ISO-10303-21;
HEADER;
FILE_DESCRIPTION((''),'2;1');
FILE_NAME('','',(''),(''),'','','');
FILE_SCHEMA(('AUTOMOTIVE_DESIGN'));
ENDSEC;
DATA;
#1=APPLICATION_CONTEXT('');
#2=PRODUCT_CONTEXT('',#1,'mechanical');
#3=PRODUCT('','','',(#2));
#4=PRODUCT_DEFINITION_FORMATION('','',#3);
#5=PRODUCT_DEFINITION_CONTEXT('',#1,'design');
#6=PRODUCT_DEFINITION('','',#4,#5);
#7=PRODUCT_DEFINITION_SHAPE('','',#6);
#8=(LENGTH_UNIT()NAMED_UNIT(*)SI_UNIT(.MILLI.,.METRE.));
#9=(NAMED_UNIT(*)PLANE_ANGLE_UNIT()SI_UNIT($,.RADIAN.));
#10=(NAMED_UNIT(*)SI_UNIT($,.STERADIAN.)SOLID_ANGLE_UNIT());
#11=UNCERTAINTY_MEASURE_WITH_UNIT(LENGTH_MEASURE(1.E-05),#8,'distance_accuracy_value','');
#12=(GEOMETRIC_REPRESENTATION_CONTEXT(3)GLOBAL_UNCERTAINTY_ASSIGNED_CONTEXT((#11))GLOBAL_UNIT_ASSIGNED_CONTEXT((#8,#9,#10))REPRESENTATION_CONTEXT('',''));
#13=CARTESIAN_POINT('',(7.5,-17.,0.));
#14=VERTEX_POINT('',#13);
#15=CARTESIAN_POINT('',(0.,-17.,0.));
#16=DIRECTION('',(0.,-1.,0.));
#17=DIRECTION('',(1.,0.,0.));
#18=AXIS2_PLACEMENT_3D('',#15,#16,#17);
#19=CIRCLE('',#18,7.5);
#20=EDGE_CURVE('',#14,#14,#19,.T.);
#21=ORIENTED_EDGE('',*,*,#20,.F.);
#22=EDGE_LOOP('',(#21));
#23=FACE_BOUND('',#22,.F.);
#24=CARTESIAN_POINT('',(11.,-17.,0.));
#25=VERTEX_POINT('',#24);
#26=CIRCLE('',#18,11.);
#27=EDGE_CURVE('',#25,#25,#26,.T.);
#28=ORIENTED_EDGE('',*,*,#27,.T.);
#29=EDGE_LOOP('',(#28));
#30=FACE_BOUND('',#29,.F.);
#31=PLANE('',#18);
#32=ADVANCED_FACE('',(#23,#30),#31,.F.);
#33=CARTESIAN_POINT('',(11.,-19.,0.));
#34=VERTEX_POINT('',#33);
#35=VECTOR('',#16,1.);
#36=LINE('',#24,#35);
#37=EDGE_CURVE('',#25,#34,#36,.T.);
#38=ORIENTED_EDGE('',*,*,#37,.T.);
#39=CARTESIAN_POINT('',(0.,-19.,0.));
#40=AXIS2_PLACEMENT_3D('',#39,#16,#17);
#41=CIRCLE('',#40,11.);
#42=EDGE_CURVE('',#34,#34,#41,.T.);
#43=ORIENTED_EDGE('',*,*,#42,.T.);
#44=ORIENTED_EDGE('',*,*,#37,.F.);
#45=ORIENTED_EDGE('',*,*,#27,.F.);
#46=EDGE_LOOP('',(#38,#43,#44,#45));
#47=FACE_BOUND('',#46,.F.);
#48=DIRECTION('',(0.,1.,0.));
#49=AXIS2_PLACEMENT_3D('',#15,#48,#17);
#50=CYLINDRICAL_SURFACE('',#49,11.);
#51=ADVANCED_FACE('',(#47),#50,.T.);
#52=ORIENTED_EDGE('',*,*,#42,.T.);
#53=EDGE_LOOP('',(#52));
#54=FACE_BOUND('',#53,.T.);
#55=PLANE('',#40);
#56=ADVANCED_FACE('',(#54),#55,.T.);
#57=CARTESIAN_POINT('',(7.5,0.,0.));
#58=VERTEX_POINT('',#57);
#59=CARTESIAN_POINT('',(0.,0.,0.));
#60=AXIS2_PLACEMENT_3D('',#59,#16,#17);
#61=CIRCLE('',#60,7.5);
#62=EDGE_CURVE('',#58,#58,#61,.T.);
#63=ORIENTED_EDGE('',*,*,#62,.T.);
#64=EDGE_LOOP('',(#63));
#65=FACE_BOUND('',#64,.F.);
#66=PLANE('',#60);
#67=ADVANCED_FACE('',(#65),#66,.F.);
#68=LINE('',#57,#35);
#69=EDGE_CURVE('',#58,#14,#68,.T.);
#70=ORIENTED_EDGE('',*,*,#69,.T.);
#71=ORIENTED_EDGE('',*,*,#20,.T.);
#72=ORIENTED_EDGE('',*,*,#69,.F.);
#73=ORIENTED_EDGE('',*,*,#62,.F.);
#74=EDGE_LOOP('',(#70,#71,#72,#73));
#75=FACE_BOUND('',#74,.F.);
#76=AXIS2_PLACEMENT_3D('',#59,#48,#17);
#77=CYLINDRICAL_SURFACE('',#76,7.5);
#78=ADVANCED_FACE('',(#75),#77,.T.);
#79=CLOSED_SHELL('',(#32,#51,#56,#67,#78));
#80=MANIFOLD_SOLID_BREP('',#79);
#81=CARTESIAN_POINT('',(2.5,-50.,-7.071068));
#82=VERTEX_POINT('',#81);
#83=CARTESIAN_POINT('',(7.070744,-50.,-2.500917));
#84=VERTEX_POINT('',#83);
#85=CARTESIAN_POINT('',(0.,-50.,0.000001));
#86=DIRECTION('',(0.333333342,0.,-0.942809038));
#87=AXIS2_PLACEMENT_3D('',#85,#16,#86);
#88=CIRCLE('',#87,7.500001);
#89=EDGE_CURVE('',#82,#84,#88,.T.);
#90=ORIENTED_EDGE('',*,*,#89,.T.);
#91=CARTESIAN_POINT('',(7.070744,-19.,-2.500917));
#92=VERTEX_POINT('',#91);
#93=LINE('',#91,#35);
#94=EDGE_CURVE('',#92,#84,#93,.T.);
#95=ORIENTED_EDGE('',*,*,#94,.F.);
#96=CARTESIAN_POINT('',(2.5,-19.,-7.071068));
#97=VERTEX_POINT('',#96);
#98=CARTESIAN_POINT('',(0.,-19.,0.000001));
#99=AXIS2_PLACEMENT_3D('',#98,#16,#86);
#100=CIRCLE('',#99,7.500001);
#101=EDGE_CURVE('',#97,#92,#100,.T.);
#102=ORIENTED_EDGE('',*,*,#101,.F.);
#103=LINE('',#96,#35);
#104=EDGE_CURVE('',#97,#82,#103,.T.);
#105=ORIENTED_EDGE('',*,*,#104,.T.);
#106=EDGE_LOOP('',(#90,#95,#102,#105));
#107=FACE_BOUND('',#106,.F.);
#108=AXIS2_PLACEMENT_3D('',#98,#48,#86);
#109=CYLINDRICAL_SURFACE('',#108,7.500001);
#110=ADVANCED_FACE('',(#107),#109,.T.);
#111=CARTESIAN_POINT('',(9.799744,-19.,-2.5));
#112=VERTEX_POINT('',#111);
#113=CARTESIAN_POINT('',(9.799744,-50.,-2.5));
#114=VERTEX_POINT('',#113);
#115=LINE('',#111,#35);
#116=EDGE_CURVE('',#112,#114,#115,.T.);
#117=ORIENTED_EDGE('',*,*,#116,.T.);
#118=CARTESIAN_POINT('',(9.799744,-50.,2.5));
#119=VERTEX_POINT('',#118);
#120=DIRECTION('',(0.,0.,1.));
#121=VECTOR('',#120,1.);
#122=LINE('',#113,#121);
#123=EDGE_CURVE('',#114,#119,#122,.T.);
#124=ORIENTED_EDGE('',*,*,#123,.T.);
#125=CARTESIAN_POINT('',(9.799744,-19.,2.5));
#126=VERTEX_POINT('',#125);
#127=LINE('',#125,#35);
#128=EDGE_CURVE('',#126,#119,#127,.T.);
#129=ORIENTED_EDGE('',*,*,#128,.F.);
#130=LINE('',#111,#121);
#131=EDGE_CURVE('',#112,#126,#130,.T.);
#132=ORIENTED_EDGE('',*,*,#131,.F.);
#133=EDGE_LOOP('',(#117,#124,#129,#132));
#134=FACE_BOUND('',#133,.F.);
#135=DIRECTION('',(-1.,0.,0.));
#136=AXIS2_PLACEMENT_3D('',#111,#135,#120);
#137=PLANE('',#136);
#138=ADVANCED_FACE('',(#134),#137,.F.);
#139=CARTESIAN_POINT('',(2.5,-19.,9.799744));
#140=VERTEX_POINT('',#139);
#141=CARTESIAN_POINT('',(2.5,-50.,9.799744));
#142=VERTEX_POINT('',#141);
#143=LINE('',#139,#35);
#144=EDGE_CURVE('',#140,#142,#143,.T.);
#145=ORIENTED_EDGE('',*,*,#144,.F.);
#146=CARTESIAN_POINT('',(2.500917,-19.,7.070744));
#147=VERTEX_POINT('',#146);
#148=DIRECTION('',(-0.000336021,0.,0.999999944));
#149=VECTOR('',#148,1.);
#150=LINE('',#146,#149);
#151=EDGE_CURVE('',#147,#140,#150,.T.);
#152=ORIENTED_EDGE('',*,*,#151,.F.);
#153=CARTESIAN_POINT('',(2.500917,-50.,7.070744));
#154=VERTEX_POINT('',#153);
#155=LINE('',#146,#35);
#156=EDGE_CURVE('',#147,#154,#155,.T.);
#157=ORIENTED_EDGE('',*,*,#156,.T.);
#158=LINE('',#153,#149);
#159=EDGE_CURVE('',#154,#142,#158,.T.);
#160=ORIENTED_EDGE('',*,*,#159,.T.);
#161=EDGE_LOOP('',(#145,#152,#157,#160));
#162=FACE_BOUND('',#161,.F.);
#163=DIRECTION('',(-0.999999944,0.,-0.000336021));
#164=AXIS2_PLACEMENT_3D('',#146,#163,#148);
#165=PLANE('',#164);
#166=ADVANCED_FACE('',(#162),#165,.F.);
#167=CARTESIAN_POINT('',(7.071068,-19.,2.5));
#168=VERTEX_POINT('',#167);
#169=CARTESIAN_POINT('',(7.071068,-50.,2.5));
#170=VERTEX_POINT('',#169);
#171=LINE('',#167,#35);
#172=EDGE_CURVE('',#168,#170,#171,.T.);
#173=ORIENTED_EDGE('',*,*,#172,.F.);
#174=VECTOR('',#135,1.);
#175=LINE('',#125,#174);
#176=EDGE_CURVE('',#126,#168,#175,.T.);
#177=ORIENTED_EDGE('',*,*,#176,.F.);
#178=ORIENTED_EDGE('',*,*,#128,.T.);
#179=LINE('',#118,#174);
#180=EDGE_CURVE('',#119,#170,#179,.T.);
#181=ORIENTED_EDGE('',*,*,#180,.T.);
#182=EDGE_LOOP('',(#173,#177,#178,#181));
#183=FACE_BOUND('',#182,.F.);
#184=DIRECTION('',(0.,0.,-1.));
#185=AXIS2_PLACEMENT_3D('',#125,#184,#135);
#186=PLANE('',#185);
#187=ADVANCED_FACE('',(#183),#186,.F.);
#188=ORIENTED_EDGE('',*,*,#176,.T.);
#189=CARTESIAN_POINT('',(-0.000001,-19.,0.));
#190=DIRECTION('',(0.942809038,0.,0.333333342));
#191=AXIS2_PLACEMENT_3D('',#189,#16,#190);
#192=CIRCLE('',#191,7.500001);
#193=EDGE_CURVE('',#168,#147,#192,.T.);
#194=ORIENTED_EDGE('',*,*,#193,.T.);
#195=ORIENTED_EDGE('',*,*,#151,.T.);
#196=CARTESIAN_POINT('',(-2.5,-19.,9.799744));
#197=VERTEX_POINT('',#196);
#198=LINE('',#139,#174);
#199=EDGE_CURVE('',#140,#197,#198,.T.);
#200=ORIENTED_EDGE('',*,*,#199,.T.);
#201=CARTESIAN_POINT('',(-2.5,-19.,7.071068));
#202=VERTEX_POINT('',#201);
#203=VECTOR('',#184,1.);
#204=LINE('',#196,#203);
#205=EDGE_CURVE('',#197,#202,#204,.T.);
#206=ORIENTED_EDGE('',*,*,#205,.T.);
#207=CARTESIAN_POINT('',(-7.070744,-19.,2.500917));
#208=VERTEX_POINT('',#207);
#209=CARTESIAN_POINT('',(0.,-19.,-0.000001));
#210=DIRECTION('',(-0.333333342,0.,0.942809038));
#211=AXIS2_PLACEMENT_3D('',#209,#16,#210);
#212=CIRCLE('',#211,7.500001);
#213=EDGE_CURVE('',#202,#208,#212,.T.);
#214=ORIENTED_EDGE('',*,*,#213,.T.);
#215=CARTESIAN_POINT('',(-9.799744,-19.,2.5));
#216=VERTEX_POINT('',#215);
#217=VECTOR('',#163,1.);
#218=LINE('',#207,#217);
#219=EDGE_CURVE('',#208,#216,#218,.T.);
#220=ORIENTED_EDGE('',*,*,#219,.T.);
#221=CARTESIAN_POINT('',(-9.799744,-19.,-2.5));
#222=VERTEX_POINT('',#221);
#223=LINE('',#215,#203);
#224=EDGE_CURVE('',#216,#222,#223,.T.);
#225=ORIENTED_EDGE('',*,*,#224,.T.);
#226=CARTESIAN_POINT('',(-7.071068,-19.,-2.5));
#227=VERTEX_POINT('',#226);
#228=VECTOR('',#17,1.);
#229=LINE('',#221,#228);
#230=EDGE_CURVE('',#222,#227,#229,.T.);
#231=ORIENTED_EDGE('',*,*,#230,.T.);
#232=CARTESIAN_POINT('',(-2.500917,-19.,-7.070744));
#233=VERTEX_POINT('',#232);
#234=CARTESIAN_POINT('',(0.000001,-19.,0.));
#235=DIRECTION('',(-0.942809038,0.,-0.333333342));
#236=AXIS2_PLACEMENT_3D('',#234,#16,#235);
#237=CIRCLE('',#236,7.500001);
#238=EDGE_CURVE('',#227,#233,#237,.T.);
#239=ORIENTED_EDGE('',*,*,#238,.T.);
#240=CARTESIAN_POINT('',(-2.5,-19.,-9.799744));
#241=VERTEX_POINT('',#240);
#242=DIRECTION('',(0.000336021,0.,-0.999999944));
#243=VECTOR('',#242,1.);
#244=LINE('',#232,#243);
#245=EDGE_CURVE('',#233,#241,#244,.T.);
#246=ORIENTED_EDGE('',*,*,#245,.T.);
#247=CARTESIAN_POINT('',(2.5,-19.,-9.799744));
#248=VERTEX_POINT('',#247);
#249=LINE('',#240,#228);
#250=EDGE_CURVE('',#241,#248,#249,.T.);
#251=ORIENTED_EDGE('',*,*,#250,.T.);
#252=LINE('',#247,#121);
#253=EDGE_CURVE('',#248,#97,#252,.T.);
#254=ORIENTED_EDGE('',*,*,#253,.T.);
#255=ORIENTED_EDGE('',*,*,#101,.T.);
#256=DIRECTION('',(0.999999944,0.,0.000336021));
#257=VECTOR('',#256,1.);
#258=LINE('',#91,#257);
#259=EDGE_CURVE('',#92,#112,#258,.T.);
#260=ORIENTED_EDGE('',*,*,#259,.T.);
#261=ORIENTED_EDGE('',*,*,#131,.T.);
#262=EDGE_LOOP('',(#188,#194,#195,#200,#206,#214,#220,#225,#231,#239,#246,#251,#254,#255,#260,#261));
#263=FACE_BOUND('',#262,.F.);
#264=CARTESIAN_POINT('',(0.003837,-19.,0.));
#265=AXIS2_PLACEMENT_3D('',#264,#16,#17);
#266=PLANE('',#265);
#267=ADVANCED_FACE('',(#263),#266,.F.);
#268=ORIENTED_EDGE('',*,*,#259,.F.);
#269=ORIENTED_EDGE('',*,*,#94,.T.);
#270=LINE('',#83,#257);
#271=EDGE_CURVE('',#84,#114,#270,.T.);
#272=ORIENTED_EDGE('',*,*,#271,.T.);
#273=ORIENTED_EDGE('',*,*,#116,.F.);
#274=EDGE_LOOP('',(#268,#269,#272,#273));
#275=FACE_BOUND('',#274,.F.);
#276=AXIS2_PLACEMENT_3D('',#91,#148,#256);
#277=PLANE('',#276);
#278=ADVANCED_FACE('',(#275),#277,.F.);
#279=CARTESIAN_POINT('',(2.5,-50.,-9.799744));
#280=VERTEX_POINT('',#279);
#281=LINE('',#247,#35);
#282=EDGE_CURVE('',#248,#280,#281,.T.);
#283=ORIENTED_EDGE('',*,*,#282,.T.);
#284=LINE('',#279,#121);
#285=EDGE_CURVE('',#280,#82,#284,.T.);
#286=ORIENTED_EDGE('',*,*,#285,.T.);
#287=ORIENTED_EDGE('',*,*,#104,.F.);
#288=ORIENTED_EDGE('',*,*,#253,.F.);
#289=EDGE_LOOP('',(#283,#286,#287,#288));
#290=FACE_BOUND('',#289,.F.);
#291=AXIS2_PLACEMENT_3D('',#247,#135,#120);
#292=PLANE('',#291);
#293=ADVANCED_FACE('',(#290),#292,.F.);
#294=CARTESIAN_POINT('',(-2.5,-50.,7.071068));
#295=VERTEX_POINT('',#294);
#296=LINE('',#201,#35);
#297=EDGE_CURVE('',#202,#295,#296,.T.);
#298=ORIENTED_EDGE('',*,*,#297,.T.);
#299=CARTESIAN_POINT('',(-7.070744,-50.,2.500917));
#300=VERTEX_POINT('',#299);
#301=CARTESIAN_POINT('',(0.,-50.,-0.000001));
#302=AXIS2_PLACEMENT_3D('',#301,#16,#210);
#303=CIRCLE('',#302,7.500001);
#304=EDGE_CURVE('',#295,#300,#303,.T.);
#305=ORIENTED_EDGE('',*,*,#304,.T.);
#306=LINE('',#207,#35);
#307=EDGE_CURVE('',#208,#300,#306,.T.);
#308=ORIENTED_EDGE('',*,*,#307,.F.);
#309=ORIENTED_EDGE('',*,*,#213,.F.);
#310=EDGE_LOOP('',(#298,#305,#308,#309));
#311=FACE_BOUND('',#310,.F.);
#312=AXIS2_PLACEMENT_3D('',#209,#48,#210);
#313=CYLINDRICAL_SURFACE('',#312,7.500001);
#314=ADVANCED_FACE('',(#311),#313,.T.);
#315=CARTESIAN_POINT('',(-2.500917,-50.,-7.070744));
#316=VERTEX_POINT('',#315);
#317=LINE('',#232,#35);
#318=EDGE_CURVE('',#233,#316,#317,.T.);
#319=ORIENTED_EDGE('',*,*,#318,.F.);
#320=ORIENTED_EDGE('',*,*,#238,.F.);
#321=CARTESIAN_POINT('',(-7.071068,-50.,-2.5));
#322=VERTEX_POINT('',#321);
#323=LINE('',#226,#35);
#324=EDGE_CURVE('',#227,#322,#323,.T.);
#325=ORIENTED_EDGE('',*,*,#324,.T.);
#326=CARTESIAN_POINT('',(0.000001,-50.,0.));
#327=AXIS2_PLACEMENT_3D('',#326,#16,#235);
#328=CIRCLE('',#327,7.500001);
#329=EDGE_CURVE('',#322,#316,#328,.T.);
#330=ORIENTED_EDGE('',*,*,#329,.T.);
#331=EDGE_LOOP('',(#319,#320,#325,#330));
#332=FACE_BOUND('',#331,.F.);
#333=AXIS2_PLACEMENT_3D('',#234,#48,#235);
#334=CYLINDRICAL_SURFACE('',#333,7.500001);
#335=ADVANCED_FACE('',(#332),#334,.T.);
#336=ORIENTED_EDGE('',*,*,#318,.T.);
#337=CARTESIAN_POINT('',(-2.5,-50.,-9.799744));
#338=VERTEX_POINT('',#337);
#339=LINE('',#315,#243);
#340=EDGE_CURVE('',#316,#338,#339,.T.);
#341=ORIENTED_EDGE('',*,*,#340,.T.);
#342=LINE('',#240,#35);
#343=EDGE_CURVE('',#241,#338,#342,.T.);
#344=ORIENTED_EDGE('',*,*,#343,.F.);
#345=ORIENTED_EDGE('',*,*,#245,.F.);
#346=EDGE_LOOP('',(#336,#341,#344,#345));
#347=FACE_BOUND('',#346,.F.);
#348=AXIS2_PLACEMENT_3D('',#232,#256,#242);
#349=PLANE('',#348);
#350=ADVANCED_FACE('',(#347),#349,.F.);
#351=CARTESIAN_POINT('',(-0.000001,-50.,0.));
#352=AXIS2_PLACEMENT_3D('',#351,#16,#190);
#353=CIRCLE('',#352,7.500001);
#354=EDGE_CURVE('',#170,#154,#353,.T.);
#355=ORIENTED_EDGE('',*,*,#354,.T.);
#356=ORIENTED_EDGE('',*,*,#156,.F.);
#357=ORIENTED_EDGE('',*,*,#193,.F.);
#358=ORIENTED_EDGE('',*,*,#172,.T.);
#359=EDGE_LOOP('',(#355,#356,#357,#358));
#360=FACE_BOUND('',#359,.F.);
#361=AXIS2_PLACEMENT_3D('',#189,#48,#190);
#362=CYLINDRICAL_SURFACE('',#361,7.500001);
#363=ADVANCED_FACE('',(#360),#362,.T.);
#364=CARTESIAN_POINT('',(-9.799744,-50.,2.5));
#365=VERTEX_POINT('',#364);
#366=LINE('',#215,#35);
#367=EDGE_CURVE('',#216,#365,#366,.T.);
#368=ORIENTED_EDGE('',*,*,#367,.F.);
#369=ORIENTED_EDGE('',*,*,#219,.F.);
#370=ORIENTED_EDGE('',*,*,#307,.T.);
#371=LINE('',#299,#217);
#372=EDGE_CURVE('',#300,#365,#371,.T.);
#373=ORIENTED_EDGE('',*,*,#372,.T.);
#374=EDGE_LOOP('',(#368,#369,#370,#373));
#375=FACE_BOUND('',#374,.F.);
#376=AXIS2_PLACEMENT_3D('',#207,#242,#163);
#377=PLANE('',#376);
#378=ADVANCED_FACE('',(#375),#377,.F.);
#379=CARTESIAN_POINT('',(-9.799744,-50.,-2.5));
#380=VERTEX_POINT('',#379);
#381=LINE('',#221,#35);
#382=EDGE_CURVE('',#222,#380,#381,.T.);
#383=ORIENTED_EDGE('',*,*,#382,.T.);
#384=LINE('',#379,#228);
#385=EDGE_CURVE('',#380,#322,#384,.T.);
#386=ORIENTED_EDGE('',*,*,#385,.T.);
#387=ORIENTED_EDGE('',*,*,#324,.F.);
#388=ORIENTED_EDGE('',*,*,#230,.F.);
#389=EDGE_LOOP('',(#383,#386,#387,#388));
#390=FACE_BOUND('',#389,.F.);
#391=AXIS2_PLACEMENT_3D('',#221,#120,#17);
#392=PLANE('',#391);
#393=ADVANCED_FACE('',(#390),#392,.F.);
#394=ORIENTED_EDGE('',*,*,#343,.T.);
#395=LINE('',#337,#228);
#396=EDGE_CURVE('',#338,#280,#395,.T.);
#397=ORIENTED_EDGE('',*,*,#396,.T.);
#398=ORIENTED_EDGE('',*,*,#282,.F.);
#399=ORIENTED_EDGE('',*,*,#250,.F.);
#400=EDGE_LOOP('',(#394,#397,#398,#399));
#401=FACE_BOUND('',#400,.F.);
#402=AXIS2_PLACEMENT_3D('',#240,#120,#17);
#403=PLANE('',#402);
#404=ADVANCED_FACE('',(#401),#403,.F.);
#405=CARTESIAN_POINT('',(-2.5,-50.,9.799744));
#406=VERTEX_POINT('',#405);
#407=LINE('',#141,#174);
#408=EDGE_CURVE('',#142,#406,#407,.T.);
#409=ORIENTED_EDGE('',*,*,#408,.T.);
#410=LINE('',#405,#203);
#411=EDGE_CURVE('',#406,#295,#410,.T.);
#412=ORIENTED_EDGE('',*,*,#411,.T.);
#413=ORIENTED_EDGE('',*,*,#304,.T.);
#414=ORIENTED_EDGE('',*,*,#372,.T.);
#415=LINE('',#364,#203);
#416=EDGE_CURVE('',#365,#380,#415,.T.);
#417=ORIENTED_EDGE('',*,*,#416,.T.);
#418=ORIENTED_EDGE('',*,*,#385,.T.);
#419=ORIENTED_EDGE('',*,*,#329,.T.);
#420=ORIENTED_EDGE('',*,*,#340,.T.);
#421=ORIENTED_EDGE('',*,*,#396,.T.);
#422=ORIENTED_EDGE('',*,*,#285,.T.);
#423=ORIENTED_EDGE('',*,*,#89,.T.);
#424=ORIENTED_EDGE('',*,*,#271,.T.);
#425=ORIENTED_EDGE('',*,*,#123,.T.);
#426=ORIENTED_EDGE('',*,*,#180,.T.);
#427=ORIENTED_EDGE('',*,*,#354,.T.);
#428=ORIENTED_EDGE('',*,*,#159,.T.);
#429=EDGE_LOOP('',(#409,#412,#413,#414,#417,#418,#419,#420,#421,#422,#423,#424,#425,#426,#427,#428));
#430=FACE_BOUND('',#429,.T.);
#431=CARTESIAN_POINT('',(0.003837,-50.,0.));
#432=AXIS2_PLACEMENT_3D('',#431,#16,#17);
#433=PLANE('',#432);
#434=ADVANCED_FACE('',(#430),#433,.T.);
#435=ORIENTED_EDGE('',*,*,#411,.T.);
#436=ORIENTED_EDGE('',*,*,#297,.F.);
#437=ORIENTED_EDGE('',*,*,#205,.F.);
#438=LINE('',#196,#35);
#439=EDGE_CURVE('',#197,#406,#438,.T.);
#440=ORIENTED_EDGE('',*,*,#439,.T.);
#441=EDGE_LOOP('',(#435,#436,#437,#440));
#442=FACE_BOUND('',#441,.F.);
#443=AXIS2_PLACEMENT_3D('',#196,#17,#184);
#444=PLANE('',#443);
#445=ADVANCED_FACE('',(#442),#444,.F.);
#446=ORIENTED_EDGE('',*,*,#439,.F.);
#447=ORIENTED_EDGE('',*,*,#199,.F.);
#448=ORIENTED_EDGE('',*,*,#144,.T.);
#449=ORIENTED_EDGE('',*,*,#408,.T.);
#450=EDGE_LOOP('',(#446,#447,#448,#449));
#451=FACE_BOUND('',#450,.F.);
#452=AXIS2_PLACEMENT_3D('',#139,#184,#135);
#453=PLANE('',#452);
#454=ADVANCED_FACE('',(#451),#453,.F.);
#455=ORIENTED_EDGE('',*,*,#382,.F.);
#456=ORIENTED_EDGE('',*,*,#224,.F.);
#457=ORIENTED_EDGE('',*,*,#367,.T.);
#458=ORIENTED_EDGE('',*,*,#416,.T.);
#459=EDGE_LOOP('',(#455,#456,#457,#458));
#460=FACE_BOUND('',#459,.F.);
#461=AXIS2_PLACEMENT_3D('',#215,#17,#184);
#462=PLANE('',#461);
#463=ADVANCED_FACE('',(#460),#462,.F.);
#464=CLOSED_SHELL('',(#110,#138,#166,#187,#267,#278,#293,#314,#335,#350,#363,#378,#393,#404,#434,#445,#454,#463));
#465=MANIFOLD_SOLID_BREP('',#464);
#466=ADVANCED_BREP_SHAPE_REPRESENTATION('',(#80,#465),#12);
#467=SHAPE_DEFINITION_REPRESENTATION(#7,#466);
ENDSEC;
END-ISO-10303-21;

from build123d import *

# Parameters (mm, degrees)
F0_R     = 7.5
F1_DEPTH = 17
F2_R     = 11
F3_DEPTH = 2
F5_DEPTH = 31


with BuildPart() as f1:
    # F0 (on Front) → F1 (new body)
    with BuildSketch(Plane.XZ):
        Circle(F0_R)
    extrude(amount=F1_DEPTH)

    # F2 (on face) → F3 (join)
    with BuildSketch(Plane.XZ.offset(17)):
        Circle(F2_R)
    extrude(amount=F3_DEPTH)


with BuildPart() as f5:
    # F4 (on face) → F5 (new body)
    with BuildSketch(Plane.XZ.offset(19)):
        with BuildLine():
            ThreePointArc((7.070744, -2.500917), (7.391907, -1.268744), (7.5, 0))
            ThreePointArc((7.5, 0), (7.391989, 1.268265), (7.071068, 2.5))
            ThreePointArc((7.071068, 2.5), (5.303645, 5.302957), (2.500917, 7.070744))
            ThreePointArc((2.500917, 7.070744), (0.000486, 7.5), (-2.5, 7.071068))
            ThreePointArc((-2.5, 7.071068), (-5.302957, 5.303645), (-7.070744, 2.500917))
            ThreePointArc((-7.070744, 2.500917), (-7.5, 0.000486), (-7.071068, -2.5))
            ThreePointArc((-7.071068, -2.5), (-5.303645, -5.302957), (-2.500917, -7.070744))
            ThreePointArc((-2.500917, -7.070744), (-0.000486, -7.5), (2.5, -7.071068))
            ThreePointArc((2.5, -7.071068), (5.302957, -5.303645), (7.070744, -2.500917))
        make_face()
        with BuildLine():
            ThreePointArc((7.071068, 2.5), (7.391989, 1.268265), (7.5, 0))
            ThreePointArc((7.5, 0), (7.391907, -1.268744), (7.070744, -2.500917))
            Line((7.070744, -2.500917), (9.799744, -2.5))
            Line((9.799744, -2.5), (9.799744, 0))
            Line((9.799744, 0), (9.799744, 2.5))
            Line((9.799744, 2.5), (7.071068, 2.5))
        make_face()
        with BuildLine():
            ThreePointArc((-2.5, 7.071068), (0.000486, 7.5), (2.500917, 7.070744))
            Line((2.500917, 7.070744), (2.5, 9.799744))
            Line((2.5, 9.799744), (0, 9.799744))
            Line((0, 9.799744), (-2.5, 9.799744))
            Line((-2.5, 9.799744), (-2.5, 7.071068))
        make_face()
        with BuildLine():
            ThreePointArc((-7.071068, -2.5), (-7.5, 0.000486), (-7.070744, 2.500917))
            Line((-7.070744, 2.500917), (-9.799744, 2.5))
            Line((-9.799744, 2.5), (-9.799744, 0))
            Line((-9.799744, 0), (-9.799744, -2.5))
            Line((-9.799744, -2.5), (-7.071068, -2.5))
        make_face()
        with BuildLine():
            Line((2.5, -9.799744), (2.5, -7.071068))
            ThreePointArc((2.5, -7.071068), (-0.000486, -7.5), (-2.500917, -7.070744))
            Line((-2.500917, -7.070744), (-2.5, -9.799744))
            Line((-2.5, -9.799744), (0, -9.799744))
            Line((0, -9.799744), (2.5, -9.799744))
        make_face()
    extrude(amount=F5_DEPTH)


solid = Compound([f1.part, f5.part])
